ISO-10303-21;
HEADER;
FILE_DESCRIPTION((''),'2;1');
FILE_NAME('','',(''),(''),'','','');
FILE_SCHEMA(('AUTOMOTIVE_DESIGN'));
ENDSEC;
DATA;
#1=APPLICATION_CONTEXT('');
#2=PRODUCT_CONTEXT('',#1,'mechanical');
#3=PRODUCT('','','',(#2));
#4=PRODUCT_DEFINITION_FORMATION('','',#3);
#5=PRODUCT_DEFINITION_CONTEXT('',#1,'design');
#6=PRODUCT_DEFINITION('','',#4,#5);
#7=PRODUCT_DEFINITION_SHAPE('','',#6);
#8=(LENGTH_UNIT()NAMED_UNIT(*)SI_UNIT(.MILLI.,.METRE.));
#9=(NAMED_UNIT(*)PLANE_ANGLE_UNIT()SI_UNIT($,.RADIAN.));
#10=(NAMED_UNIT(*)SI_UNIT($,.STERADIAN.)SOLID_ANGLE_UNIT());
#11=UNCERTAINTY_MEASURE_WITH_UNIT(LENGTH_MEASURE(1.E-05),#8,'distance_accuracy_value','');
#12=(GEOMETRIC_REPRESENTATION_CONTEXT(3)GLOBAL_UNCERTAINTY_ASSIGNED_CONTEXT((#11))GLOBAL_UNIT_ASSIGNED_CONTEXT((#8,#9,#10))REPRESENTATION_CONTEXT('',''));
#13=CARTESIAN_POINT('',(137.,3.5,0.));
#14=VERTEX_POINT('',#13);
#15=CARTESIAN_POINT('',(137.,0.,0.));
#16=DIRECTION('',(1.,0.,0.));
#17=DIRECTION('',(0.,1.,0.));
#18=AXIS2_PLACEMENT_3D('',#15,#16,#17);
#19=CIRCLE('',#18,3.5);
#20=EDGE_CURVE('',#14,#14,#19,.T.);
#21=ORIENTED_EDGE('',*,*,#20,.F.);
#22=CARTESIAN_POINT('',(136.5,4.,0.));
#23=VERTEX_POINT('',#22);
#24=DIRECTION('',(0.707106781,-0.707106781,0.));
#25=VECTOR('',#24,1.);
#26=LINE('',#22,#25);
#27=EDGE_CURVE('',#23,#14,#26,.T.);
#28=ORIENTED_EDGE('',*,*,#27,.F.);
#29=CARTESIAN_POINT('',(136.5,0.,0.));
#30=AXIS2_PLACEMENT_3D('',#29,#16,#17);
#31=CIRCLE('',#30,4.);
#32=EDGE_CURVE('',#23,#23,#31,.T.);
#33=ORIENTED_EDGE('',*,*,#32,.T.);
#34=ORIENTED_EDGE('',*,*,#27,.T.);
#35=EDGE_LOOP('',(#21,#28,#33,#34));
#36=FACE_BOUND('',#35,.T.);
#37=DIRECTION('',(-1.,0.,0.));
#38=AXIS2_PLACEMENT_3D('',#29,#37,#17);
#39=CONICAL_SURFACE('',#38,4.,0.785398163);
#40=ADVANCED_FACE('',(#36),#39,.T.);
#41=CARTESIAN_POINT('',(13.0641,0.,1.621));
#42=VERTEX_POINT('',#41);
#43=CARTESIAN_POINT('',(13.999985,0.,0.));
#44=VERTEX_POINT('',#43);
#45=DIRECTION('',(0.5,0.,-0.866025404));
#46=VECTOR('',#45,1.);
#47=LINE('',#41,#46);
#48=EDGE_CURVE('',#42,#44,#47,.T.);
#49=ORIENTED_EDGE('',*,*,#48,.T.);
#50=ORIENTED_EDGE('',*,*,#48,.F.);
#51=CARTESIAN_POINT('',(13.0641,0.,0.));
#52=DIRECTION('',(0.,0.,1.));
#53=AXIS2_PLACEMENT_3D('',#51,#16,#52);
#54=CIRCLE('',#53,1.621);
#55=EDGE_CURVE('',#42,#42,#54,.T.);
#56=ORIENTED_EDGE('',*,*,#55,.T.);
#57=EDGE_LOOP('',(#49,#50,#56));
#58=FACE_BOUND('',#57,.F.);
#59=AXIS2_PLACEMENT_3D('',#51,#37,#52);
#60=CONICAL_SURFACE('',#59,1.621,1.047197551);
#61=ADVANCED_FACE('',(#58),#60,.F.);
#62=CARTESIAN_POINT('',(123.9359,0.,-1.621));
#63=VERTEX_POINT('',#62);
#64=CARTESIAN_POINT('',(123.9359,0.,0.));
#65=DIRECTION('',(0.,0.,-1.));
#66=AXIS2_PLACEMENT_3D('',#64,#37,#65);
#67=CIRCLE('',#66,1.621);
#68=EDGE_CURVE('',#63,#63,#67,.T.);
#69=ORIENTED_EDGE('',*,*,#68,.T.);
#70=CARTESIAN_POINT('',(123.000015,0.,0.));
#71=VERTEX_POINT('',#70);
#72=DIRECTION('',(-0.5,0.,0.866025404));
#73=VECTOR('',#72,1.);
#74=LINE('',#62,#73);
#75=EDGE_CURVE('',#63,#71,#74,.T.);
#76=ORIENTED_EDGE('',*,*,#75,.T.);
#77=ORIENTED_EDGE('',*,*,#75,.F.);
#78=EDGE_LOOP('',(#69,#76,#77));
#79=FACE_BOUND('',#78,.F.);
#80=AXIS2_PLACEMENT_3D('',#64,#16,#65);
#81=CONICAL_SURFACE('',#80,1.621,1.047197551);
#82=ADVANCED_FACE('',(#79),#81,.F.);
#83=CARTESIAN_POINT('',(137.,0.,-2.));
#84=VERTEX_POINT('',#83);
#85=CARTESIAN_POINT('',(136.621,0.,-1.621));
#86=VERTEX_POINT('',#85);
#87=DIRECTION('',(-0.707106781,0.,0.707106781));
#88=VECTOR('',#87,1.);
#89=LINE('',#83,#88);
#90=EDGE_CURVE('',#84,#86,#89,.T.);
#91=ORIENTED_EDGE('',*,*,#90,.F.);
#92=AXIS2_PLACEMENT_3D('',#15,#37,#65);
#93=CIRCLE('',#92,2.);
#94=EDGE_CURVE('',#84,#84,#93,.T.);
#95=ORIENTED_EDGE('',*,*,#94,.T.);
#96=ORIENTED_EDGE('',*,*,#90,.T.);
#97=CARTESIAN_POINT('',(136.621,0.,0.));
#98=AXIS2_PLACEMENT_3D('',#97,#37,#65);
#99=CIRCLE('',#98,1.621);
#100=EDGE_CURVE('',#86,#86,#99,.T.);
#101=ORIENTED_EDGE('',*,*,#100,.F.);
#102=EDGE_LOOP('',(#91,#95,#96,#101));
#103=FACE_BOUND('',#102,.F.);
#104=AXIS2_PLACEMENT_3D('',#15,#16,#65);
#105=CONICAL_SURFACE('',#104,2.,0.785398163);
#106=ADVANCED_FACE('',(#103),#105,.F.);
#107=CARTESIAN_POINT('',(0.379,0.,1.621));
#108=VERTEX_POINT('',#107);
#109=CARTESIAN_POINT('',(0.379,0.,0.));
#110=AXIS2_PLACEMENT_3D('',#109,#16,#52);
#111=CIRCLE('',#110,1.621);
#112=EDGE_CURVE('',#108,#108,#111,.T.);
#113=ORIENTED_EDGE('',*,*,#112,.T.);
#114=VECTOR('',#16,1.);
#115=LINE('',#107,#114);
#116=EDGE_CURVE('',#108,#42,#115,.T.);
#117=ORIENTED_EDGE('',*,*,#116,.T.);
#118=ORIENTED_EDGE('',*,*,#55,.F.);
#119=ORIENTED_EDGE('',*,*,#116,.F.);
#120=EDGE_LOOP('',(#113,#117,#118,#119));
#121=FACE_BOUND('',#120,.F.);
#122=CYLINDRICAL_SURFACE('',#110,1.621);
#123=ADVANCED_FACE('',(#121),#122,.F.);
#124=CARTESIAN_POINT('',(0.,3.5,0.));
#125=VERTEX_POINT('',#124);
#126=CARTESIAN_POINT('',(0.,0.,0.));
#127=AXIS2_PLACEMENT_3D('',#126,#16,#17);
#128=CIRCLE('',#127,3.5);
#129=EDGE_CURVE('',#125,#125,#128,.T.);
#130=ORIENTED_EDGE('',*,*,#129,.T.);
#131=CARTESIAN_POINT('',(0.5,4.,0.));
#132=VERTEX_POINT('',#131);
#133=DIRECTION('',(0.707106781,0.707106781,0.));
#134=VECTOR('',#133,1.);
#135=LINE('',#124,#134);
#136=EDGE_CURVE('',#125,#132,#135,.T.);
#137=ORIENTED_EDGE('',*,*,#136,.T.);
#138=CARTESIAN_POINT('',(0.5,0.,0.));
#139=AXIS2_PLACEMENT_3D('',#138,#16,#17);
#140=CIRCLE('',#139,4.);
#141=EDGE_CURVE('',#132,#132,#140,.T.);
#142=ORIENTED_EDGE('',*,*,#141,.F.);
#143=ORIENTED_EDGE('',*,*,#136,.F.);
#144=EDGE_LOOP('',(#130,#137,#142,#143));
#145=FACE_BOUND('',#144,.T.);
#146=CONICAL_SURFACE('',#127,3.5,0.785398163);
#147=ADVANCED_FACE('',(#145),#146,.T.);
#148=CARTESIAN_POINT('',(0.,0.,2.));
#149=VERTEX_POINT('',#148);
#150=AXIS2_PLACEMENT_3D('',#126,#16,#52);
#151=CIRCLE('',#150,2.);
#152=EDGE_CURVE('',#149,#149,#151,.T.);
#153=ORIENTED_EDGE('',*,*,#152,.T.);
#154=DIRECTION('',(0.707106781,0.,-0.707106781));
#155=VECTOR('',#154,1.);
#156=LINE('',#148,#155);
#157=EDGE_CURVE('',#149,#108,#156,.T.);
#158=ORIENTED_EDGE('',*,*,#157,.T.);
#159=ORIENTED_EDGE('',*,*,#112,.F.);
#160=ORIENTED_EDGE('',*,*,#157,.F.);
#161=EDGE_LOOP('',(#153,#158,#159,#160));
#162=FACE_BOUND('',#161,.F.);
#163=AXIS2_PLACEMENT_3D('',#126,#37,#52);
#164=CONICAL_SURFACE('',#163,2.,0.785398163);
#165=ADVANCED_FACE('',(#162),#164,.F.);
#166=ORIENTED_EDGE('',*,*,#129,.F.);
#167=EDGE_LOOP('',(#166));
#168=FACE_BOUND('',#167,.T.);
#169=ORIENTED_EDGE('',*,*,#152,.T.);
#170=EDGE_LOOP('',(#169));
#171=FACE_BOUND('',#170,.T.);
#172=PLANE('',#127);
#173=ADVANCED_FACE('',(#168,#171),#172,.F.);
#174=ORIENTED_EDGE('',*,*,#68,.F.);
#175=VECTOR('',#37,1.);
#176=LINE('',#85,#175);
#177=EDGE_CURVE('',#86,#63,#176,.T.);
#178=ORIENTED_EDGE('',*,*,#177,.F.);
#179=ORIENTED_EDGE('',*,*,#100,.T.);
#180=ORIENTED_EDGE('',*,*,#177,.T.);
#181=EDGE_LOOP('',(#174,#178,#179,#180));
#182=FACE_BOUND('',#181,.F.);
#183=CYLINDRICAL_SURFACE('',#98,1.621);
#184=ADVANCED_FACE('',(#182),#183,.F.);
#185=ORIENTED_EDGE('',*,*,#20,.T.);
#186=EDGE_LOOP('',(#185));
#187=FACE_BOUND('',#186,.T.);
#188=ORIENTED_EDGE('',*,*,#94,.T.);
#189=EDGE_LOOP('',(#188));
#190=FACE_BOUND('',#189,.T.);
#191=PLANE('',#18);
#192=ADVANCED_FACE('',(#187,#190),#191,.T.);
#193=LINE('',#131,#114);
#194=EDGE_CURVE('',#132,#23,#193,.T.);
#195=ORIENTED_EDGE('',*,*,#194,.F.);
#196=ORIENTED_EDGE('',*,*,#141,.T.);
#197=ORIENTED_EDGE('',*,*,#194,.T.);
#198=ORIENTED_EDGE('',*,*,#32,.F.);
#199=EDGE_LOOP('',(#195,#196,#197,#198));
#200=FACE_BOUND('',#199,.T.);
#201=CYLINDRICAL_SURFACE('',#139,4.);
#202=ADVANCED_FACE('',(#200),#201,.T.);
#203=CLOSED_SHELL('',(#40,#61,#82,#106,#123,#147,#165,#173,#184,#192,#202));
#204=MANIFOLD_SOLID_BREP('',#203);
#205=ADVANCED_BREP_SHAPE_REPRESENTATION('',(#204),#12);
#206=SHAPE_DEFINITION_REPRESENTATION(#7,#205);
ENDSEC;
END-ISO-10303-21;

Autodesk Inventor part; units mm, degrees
ref_plane "YZ Plane" through (0, 0, 0) normal (1, 0, 0) x (0, 1, 0)
ref_plane "XZ Plane" through (0, 0, 0) normal (0, 1, 0) x (-1, 0, 0)
ref_plane "XY Plane" through (0, 0, 0) normal (0, 0, 1) x (1, 0, 0)
sketch "Sketch_1" plane through (0, 0, 0) normal (0, 0, 1) x (1, 0, 0)
  line L0 (137, 0) -> (0, 0)
  line L1 (0, 0) -> (0, 3.5)
  line L2 (0, 3.5) -> (0.5, 4)
  line L3 (0.5, 4) -> (136.5, 4)
  line L4 (136.5, 4) -> (137, 3.5)
  line L5 (137, 3.5) -> (137, 0)
  line L6 (137, 0) -> (0, 0)
revolve "Revolution1" add sketch "Sketch_1" angle 360 about axis through (137, 0, 0) along (1, 0, 0)
sketch "Sketch2" plane through (0, 0, 0) normal (-1, 0, 0) x (0, 0, 1)
  point P0 (0, 0)
hole "Hole1" at (0, 0, 0) direction (1, 0, 0) diameter 3.242 depth 13.0641 tip angle 120 countersink diameter 4 countersink angle 90 thread size "M4x0.7" class "6H" standard "ISO Metric profile"
sketch "Sketch3" plane through (137, 0, 0) normal (1, 0, 0) x (0, 0, -1)
  point P0 (0, 0)
hole "Hole2" at (137, 0, 0) direction (-1, 0, 0) diameter 3.242 depth 13.0641 tip angle 120 countersink diameter 4 countersink angle 90 thread size "M4x0.7" class "6H" standard "ISO Metric profile"
properties part number "SFHRW8-137-M4-N4_s" material "鋼、炭素鋼"
